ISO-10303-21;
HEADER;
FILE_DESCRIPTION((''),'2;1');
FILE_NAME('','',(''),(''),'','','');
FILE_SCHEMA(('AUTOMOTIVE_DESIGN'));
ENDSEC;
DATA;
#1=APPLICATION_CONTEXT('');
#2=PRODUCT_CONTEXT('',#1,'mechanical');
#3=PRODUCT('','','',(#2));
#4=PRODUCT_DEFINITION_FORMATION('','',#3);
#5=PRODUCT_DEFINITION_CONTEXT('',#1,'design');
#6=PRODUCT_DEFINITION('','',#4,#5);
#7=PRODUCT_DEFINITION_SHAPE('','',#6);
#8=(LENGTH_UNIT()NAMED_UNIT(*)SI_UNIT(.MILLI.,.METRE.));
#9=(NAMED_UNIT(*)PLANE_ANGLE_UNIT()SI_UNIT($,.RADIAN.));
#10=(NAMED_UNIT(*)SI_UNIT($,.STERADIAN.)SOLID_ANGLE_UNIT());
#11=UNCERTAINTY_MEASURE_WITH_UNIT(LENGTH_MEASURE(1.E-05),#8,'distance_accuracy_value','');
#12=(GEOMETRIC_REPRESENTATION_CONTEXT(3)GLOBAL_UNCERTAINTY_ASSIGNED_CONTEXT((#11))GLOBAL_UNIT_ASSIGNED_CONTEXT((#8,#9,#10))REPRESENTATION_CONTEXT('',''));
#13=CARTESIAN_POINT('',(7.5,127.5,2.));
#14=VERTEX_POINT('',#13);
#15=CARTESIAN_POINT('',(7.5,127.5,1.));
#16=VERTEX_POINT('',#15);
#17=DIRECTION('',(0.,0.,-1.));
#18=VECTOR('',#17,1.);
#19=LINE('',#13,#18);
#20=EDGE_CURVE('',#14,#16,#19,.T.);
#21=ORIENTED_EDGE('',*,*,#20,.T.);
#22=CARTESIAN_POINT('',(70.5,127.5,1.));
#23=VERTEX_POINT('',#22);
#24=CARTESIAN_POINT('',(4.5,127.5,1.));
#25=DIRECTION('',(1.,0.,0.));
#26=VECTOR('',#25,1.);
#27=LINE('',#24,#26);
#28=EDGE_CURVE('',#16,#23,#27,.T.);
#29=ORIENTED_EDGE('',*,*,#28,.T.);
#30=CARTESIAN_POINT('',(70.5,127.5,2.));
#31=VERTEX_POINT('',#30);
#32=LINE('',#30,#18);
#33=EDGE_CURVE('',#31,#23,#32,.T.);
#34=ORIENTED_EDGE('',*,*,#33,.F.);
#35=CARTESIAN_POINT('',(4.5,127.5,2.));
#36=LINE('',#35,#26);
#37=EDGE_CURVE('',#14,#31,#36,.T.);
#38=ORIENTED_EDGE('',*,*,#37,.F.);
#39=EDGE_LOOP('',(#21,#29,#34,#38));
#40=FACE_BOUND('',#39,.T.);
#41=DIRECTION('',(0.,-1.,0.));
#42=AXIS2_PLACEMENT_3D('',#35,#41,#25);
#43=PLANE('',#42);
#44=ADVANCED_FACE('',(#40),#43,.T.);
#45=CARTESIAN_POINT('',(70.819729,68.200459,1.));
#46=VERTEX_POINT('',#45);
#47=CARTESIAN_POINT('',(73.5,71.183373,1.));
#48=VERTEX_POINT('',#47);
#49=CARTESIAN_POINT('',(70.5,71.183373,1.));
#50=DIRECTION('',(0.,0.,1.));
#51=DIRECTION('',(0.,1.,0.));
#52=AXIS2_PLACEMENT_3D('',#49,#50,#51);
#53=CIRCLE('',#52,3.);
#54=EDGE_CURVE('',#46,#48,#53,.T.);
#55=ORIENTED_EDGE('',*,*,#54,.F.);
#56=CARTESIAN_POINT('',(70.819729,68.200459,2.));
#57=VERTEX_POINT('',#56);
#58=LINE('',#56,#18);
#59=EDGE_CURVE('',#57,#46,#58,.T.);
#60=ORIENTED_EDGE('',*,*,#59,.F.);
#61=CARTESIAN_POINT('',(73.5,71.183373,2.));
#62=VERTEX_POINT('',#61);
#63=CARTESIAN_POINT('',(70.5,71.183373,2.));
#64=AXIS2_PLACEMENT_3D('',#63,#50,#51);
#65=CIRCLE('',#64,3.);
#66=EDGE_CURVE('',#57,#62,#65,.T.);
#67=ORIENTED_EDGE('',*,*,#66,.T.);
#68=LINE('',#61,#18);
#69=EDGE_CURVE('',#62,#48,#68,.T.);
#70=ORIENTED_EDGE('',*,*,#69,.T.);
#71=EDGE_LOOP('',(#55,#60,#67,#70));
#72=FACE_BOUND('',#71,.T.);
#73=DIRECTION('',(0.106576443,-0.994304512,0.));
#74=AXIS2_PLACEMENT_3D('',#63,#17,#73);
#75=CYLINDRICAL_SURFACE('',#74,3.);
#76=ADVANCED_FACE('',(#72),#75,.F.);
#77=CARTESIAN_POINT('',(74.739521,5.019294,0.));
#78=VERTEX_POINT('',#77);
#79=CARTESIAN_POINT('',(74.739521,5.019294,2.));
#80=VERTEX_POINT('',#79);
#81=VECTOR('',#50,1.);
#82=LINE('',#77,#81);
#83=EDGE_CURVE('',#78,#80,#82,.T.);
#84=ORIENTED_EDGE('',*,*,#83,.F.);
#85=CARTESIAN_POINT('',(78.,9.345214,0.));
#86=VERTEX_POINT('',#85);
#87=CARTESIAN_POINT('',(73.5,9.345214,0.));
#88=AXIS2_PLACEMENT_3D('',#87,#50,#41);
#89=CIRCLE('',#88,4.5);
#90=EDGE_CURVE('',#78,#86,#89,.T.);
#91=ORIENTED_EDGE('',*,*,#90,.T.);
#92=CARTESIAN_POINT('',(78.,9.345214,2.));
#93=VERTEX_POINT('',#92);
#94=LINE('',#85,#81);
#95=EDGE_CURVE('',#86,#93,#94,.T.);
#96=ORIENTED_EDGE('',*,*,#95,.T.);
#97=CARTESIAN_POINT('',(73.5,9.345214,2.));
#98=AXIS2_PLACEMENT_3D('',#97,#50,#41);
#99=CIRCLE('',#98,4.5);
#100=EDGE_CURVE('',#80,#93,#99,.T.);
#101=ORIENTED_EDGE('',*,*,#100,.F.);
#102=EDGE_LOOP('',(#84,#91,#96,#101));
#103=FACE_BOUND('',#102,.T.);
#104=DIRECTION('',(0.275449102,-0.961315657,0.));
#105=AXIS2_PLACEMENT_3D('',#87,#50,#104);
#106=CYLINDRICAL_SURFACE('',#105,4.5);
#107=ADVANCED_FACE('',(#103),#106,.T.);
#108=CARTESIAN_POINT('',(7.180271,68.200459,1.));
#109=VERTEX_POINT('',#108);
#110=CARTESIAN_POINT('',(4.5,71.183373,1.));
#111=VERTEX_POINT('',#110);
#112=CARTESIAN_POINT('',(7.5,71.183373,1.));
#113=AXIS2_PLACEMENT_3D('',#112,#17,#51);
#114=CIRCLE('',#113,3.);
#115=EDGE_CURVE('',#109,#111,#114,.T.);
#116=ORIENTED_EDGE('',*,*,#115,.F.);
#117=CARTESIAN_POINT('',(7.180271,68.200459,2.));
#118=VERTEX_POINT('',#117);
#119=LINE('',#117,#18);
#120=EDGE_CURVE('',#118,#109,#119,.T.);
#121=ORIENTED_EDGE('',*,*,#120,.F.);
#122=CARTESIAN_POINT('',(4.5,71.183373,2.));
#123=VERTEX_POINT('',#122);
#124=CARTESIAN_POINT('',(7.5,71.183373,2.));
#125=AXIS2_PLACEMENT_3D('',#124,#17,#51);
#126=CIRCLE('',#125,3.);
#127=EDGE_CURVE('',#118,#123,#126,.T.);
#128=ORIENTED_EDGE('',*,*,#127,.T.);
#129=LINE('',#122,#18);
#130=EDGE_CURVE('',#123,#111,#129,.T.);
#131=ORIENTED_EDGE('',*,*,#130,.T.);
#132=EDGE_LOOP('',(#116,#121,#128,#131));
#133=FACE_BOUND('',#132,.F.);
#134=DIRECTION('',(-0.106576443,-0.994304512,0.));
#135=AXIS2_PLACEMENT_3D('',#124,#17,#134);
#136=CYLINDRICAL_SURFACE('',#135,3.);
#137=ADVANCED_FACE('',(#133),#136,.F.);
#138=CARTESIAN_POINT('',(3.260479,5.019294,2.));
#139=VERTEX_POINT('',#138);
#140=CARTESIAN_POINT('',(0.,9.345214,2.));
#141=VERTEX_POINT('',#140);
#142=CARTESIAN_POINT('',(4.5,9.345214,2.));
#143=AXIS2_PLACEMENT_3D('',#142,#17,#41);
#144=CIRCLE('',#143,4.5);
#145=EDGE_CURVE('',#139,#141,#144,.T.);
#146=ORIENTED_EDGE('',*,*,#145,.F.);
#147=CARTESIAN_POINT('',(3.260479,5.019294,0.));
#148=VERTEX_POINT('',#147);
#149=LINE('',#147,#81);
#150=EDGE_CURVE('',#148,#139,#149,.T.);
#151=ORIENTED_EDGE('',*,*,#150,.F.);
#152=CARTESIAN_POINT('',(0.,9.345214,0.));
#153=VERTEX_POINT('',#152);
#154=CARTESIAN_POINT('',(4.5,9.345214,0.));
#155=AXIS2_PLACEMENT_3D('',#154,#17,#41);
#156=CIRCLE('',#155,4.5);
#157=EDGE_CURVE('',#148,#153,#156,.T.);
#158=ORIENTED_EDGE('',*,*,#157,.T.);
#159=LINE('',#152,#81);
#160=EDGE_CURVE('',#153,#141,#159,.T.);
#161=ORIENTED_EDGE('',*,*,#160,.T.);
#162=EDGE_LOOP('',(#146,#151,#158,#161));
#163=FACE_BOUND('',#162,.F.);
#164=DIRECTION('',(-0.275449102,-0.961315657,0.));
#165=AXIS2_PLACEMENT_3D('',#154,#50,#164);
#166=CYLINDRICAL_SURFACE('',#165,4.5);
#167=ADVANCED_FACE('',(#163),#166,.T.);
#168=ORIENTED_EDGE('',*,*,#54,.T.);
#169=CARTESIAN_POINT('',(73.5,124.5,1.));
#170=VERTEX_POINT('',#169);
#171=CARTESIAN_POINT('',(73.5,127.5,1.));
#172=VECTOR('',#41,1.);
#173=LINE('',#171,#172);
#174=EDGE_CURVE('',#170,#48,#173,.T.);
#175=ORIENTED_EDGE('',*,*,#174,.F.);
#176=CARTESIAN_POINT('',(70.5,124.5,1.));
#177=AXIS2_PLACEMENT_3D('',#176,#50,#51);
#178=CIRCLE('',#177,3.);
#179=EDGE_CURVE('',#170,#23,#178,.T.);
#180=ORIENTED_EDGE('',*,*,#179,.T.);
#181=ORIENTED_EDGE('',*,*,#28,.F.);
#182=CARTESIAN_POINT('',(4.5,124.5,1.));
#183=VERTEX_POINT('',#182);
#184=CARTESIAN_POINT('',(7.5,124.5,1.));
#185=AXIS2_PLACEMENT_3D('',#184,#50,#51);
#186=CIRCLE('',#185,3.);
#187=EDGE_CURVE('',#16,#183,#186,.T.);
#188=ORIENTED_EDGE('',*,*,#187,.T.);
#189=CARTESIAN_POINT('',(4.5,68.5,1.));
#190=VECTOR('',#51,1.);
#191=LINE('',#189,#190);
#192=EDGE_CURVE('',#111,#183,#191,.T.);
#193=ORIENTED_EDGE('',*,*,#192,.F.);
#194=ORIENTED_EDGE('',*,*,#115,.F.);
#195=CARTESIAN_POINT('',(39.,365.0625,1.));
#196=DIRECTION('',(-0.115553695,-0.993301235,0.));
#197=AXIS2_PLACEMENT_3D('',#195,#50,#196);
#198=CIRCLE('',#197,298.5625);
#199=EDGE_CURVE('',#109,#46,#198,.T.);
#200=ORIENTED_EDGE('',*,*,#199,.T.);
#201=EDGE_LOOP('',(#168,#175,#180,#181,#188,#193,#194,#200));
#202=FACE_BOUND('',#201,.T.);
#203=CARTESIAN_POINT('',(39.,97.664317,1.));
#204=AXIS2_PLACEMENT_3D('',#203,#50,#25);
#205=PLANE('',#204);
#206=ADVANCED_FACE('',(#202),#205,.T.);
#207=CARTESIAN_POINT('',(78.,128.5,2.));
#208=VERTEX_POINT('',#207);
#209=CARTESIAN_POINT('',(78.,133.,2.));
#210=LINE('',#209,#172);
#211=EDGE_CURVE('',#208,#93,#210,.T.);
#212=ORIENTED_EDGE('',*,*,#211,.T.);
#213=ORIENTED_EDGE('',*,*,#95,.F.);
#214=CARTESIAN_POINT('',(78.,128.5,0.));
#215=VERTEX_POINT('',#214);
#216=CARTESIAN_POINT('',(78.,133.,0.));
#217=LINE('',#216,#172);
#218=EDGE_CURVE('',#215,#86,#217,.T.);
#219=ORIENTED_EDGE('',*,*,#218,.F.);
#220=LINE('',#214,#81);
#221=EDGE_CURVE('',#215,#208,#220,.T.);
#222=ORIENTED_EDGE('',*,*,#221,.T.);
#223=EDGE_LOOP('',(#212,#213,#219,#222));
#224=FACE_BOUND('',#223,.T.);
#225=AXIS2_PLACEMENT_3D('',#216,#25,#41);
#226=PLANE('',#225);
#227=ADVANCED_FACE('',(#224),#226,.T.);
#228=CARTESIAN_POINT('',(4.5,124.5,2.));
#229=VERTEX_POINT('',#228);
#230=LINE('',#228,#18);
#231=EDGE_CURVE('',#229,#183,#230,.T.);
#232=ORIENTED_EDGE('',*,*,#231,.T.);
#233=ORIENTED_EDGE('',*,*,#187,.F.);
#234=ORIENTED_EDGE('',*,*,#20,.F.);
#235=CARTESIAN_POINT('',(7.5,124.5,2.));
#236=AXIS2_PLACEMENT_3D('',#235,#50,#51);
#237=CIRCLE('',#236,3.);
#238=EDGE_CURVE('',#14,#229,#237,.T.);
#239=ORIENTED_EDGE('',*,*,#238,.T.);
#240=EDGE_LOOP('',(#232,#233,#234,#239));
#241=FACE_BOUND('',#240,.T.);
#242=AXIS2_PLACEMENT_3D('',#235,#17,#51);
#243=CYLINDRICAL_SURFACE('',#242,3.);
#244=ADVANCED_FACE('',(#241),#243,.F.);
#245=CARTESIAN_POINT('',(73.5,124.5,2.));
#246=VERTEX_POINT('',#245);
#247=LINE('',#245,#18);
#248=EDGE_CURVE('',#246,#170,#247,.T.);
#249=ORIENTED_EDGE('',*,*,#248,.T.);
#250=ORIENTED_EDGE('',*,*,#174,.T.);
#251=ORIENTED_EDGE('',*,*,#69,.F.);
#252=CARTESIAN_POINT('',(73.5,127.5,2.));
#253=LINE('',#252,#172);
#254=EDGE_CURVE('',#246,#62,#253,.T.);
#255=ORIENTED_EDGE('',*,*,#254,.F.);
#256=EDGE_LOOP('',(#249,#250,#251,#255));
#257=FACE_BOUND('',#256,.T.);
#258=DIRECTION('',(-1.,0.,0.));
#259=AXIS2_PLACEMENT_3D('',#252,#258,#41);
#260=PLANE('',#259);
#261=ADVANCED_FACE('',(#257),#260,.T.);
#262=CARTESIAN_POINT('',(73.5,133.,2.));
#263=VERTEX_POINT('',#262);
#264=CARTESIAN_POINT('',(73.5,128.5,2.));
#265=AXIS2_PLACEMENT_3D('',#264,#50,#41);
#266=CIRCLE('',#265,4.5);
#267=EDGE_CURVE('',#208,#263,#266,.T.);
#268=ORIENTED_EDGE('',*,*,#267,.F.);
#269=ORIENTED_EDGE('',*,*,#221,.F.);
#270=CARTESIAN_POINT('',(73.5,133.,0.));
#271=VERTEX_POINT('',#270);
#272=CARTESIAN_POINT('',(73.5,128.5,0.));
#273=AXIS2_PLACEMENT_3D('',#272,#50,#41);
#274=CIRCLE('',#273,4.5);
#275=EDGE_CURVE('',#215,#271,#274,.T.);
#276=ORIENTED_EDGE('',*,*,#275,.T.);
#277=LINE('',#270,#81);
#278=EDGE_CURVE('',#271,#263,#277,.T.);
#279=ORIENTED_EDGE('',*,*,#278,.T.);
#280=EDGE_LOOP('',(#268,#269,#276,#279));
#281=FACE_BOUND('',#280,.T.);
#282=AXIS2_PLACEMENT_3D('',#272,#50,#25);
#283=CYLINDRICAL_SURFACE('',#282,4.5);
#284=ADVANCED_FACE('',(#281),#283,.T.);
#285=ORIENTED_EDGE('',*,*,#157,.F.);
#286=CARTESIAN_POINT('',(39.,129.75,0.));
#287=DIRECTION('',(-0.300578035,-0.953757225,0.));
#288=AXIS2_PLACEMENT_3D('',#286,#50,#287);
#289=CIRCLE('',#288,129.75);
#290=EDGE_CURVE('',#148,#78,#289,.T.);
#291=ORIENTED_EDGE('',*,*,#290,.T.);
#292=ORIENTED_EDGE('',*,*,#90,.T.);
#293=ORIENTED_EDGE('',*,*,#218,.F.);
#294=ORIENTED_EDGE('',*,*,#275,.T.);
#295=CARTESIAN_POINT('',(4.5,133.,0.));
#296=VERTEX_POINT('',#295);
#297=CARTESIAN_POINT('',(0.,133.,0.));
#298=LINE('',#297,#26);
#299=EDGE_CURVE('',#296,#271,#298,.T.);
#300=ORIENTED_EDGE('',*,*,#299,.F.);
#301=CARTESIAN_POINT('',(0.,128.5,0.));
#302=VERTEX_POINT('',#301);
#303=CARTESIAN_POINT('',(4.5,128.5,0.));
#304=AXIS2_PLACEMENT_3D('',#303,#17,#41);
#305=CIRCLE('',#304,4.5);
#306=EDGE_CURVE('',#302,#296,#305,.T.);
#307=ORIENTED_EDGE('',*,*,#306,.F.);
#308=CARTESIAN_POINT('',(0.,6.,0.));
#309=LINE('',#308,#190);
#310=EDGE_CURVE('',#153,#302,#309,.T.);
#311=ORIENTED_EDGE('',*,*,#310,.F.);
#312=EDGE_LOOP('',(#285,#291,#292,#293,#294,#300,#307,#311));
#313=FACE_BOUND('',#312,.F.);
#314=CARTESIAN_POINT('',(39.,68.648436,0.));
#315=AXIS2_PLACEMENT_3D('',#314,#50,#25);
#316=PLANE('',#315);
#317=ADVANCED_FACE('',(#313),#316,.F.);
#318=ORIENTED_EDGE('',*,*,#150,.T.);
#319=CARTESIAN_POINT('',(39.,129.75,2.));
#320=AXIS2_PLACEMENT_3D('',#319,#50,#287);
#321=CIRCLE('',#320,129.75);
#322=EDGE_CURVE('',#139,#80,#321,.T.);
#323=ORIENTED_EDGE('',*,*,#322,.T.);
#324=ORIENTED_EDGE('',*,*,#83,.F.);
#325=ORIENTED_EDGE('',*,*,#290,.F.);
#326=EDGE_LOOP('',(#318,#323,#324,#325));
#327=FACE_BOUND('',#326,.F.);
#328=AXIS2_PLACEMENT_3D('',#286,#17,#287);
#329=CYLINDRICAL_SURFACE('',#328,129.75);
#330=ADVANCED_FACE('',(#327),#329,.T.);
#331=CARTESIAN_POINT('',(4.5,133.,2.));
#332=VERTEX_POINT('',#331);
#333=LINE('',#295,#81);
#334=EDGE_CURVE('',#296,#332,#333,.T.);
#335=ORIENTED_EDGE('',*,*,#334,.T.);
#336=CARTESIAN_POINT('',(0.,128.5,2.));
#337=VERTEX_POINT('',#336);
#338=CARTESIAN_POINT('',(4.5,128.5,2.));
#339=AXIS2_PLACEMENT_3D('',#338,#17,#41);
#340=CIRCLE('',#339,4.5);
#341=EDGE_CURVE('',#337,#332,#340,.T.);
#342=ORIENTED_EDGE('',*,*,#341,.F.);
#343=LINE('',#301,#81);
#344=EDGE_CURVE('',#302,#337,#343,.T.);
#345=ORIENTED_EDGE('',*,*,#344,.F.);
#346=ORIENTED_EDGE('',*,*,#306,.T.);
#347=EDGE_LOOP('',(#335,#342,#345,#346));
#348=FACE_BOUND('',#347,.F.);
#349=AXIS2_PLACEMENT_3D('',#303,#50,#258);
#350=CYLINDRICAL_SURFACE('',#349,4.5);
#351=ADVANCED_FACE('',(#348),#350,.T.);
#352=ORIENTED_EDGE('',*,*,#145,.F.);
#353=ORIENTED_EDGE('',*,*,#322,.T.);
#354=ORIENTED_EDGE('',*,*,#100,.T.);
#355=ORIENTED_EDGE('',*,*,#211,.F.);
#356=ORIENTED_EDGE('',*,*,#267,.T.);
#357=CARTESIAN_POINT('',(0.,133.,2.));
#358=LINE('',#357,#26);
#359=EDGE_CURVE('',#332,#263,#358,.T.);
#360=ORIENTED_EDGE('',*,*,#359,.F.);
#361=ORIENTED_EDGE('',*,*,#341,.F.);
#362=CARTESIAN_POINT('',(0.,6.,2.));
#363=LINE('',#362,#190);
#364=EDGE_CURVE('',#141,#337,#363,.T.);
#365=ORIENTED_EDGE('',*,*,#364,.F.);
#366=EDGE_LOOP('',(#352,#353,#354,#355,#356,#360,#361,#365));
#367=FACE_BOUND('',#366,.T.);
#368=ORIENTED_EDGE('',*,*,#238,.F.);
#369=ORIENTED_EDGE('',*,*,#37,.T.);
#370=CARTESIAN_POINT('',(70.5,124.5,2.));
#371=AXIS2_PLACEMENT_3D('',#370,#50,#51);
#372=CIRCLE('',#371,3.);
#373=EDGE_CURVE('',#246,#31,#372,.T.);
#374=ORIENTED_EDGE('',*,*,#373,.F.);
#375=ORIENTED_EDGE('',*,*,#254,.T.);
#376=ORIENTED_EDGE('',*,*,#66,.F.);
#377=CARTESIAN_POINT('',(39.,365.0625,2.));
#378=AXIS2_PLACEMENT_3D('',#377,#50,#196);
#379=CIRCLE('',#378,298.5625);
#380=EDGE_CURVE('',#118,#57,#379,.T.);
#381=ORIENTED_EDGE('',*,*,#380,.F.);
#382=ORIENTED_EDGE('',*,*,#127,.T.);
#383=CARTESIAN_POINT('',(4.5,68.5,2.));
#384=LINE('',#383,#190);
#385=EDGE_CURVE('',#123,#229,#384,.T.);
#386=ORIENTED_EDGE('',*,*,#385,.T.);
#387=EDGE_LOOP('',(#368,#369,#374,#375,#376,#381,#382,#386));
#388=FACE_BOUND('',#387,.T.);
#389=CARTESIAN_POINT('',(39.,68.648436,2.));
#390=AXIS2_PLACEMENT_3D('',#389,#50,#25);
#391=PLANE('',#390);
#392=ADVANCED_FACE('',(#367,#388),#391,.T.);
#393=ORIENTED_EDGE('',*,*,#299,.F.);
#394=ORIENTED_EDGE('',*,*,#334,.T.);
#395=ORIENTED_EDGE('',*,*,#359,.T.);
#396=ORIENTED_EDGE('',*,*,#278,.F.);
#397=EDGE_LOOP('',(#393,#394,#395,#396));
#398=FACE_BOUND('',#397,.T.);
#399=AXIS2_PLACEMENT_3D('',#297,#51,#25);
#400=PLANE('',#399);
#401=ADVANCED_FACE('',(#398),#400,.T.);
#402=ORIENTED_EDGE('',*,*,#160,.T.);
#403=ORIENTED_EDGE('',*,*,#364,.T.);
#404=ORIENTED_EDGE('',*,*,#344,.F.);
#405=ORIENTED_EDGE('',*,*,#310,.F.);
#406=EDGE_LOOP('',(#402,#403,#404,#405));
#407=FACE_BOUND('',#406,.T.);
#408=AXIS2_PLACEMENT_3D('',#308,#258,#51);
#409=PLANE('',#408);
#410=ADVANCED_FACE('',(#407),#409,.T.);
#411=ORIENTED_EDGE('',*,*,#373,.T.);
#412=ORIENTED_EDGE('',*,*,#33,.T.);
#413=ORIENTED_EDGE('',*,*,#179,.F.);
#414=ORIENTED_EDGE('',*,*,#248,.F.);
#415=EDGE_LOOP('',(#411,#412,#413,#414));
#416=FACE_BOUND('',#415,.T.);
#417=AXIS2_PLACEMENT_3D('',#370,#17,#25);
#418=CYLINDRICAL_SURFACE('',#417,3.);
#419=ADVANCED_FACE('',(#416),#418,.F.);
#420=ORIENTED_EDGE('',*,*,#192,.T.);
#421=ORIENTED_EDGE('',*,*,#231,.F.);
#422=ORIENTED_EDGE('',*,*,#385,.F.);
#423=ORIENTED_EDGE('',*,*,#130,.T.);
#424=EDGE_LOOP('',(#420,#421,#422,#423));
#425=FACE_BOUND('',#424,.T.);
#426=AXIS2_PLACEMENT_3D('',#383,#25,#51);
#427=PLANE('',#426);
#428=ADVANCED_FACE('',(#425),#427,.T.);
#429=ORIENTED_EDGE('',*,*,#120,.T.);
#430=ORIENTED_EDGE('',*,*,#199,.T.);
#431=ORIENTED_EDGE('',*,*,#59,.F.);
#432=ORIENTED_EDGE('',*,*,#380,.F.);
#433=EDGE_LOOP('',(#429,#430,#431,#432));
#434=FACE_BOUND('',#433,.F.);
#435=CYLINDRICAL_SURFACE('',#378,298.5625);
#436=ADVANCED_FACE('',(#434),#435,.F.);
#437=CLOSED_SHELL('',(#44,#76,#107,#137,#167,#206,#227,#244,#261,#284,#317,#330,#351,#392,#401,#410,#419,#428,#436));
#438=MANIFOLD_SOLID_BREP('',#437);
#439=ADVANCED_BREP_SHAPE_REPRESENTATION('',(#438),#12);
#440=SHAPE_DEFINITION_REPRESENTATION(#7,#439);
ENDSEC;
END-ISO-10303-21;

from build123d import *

# Parameters (mm, degrees)
PAD_DEPTH    = 2
POCKET_DEPTH = 1
FILLET_R     = 3
FILLET001_R  = 4.5


with BuildPart() as part:
    # Sketch → Pad (new body)
    with BuildSketch(Plane.XY):
        with BuildLine():
            ThreePointArc((0, 6), (39, 0), (78, 6))
            Line((78, 133), (78, 6))
            Line((0, 133), (78, 133))
            Line((0, 6), (0, 133))
        make_face()
    extrude(amount=PAD_DEPTH)

    # Sketch001 (on Face6 of Pad) → Pocket (cut)
    with BuildSketch(Plane.XY.offset(2)):
        with BuildLine():
            ThreePointArc((4.5, 68.5), (39, 66.5), (73.5, 68.5))
            Line((73.5, 127.5), (73.5, 68.5))
            Line((4.5, 127.5), (73.5, 127.5))
            Line((4.5, 68.5), (4.5, 127.5))
        make_face()
    extrude(amount=-POCKET_DEPTH, mode=Mode.SUBTRACT)

    # Fillet
    fillet_edges = [part.edges().sort_by_distance(p)[0] for p in [
        (73.5, 68.5, 1.5),
        (73.5, 127.5, 1.5),
        (4.5, 127.5, 1.5),
        (4.5, 68.5, 1.5),
    ]]
    fillet(fillet_edges, radius=FILLET_R)

    # Fillet001
    fillet001_edges = [part.edges().sort_by_distance(p)[0] for p in [
        (78, 6, 1),
        (78, 133, 1),
        (0, 6, 1),
        (0, 133, 1),
    ]]
    fillet(fillet001_edges, radius=FILLET001_R)


solid = part.part
